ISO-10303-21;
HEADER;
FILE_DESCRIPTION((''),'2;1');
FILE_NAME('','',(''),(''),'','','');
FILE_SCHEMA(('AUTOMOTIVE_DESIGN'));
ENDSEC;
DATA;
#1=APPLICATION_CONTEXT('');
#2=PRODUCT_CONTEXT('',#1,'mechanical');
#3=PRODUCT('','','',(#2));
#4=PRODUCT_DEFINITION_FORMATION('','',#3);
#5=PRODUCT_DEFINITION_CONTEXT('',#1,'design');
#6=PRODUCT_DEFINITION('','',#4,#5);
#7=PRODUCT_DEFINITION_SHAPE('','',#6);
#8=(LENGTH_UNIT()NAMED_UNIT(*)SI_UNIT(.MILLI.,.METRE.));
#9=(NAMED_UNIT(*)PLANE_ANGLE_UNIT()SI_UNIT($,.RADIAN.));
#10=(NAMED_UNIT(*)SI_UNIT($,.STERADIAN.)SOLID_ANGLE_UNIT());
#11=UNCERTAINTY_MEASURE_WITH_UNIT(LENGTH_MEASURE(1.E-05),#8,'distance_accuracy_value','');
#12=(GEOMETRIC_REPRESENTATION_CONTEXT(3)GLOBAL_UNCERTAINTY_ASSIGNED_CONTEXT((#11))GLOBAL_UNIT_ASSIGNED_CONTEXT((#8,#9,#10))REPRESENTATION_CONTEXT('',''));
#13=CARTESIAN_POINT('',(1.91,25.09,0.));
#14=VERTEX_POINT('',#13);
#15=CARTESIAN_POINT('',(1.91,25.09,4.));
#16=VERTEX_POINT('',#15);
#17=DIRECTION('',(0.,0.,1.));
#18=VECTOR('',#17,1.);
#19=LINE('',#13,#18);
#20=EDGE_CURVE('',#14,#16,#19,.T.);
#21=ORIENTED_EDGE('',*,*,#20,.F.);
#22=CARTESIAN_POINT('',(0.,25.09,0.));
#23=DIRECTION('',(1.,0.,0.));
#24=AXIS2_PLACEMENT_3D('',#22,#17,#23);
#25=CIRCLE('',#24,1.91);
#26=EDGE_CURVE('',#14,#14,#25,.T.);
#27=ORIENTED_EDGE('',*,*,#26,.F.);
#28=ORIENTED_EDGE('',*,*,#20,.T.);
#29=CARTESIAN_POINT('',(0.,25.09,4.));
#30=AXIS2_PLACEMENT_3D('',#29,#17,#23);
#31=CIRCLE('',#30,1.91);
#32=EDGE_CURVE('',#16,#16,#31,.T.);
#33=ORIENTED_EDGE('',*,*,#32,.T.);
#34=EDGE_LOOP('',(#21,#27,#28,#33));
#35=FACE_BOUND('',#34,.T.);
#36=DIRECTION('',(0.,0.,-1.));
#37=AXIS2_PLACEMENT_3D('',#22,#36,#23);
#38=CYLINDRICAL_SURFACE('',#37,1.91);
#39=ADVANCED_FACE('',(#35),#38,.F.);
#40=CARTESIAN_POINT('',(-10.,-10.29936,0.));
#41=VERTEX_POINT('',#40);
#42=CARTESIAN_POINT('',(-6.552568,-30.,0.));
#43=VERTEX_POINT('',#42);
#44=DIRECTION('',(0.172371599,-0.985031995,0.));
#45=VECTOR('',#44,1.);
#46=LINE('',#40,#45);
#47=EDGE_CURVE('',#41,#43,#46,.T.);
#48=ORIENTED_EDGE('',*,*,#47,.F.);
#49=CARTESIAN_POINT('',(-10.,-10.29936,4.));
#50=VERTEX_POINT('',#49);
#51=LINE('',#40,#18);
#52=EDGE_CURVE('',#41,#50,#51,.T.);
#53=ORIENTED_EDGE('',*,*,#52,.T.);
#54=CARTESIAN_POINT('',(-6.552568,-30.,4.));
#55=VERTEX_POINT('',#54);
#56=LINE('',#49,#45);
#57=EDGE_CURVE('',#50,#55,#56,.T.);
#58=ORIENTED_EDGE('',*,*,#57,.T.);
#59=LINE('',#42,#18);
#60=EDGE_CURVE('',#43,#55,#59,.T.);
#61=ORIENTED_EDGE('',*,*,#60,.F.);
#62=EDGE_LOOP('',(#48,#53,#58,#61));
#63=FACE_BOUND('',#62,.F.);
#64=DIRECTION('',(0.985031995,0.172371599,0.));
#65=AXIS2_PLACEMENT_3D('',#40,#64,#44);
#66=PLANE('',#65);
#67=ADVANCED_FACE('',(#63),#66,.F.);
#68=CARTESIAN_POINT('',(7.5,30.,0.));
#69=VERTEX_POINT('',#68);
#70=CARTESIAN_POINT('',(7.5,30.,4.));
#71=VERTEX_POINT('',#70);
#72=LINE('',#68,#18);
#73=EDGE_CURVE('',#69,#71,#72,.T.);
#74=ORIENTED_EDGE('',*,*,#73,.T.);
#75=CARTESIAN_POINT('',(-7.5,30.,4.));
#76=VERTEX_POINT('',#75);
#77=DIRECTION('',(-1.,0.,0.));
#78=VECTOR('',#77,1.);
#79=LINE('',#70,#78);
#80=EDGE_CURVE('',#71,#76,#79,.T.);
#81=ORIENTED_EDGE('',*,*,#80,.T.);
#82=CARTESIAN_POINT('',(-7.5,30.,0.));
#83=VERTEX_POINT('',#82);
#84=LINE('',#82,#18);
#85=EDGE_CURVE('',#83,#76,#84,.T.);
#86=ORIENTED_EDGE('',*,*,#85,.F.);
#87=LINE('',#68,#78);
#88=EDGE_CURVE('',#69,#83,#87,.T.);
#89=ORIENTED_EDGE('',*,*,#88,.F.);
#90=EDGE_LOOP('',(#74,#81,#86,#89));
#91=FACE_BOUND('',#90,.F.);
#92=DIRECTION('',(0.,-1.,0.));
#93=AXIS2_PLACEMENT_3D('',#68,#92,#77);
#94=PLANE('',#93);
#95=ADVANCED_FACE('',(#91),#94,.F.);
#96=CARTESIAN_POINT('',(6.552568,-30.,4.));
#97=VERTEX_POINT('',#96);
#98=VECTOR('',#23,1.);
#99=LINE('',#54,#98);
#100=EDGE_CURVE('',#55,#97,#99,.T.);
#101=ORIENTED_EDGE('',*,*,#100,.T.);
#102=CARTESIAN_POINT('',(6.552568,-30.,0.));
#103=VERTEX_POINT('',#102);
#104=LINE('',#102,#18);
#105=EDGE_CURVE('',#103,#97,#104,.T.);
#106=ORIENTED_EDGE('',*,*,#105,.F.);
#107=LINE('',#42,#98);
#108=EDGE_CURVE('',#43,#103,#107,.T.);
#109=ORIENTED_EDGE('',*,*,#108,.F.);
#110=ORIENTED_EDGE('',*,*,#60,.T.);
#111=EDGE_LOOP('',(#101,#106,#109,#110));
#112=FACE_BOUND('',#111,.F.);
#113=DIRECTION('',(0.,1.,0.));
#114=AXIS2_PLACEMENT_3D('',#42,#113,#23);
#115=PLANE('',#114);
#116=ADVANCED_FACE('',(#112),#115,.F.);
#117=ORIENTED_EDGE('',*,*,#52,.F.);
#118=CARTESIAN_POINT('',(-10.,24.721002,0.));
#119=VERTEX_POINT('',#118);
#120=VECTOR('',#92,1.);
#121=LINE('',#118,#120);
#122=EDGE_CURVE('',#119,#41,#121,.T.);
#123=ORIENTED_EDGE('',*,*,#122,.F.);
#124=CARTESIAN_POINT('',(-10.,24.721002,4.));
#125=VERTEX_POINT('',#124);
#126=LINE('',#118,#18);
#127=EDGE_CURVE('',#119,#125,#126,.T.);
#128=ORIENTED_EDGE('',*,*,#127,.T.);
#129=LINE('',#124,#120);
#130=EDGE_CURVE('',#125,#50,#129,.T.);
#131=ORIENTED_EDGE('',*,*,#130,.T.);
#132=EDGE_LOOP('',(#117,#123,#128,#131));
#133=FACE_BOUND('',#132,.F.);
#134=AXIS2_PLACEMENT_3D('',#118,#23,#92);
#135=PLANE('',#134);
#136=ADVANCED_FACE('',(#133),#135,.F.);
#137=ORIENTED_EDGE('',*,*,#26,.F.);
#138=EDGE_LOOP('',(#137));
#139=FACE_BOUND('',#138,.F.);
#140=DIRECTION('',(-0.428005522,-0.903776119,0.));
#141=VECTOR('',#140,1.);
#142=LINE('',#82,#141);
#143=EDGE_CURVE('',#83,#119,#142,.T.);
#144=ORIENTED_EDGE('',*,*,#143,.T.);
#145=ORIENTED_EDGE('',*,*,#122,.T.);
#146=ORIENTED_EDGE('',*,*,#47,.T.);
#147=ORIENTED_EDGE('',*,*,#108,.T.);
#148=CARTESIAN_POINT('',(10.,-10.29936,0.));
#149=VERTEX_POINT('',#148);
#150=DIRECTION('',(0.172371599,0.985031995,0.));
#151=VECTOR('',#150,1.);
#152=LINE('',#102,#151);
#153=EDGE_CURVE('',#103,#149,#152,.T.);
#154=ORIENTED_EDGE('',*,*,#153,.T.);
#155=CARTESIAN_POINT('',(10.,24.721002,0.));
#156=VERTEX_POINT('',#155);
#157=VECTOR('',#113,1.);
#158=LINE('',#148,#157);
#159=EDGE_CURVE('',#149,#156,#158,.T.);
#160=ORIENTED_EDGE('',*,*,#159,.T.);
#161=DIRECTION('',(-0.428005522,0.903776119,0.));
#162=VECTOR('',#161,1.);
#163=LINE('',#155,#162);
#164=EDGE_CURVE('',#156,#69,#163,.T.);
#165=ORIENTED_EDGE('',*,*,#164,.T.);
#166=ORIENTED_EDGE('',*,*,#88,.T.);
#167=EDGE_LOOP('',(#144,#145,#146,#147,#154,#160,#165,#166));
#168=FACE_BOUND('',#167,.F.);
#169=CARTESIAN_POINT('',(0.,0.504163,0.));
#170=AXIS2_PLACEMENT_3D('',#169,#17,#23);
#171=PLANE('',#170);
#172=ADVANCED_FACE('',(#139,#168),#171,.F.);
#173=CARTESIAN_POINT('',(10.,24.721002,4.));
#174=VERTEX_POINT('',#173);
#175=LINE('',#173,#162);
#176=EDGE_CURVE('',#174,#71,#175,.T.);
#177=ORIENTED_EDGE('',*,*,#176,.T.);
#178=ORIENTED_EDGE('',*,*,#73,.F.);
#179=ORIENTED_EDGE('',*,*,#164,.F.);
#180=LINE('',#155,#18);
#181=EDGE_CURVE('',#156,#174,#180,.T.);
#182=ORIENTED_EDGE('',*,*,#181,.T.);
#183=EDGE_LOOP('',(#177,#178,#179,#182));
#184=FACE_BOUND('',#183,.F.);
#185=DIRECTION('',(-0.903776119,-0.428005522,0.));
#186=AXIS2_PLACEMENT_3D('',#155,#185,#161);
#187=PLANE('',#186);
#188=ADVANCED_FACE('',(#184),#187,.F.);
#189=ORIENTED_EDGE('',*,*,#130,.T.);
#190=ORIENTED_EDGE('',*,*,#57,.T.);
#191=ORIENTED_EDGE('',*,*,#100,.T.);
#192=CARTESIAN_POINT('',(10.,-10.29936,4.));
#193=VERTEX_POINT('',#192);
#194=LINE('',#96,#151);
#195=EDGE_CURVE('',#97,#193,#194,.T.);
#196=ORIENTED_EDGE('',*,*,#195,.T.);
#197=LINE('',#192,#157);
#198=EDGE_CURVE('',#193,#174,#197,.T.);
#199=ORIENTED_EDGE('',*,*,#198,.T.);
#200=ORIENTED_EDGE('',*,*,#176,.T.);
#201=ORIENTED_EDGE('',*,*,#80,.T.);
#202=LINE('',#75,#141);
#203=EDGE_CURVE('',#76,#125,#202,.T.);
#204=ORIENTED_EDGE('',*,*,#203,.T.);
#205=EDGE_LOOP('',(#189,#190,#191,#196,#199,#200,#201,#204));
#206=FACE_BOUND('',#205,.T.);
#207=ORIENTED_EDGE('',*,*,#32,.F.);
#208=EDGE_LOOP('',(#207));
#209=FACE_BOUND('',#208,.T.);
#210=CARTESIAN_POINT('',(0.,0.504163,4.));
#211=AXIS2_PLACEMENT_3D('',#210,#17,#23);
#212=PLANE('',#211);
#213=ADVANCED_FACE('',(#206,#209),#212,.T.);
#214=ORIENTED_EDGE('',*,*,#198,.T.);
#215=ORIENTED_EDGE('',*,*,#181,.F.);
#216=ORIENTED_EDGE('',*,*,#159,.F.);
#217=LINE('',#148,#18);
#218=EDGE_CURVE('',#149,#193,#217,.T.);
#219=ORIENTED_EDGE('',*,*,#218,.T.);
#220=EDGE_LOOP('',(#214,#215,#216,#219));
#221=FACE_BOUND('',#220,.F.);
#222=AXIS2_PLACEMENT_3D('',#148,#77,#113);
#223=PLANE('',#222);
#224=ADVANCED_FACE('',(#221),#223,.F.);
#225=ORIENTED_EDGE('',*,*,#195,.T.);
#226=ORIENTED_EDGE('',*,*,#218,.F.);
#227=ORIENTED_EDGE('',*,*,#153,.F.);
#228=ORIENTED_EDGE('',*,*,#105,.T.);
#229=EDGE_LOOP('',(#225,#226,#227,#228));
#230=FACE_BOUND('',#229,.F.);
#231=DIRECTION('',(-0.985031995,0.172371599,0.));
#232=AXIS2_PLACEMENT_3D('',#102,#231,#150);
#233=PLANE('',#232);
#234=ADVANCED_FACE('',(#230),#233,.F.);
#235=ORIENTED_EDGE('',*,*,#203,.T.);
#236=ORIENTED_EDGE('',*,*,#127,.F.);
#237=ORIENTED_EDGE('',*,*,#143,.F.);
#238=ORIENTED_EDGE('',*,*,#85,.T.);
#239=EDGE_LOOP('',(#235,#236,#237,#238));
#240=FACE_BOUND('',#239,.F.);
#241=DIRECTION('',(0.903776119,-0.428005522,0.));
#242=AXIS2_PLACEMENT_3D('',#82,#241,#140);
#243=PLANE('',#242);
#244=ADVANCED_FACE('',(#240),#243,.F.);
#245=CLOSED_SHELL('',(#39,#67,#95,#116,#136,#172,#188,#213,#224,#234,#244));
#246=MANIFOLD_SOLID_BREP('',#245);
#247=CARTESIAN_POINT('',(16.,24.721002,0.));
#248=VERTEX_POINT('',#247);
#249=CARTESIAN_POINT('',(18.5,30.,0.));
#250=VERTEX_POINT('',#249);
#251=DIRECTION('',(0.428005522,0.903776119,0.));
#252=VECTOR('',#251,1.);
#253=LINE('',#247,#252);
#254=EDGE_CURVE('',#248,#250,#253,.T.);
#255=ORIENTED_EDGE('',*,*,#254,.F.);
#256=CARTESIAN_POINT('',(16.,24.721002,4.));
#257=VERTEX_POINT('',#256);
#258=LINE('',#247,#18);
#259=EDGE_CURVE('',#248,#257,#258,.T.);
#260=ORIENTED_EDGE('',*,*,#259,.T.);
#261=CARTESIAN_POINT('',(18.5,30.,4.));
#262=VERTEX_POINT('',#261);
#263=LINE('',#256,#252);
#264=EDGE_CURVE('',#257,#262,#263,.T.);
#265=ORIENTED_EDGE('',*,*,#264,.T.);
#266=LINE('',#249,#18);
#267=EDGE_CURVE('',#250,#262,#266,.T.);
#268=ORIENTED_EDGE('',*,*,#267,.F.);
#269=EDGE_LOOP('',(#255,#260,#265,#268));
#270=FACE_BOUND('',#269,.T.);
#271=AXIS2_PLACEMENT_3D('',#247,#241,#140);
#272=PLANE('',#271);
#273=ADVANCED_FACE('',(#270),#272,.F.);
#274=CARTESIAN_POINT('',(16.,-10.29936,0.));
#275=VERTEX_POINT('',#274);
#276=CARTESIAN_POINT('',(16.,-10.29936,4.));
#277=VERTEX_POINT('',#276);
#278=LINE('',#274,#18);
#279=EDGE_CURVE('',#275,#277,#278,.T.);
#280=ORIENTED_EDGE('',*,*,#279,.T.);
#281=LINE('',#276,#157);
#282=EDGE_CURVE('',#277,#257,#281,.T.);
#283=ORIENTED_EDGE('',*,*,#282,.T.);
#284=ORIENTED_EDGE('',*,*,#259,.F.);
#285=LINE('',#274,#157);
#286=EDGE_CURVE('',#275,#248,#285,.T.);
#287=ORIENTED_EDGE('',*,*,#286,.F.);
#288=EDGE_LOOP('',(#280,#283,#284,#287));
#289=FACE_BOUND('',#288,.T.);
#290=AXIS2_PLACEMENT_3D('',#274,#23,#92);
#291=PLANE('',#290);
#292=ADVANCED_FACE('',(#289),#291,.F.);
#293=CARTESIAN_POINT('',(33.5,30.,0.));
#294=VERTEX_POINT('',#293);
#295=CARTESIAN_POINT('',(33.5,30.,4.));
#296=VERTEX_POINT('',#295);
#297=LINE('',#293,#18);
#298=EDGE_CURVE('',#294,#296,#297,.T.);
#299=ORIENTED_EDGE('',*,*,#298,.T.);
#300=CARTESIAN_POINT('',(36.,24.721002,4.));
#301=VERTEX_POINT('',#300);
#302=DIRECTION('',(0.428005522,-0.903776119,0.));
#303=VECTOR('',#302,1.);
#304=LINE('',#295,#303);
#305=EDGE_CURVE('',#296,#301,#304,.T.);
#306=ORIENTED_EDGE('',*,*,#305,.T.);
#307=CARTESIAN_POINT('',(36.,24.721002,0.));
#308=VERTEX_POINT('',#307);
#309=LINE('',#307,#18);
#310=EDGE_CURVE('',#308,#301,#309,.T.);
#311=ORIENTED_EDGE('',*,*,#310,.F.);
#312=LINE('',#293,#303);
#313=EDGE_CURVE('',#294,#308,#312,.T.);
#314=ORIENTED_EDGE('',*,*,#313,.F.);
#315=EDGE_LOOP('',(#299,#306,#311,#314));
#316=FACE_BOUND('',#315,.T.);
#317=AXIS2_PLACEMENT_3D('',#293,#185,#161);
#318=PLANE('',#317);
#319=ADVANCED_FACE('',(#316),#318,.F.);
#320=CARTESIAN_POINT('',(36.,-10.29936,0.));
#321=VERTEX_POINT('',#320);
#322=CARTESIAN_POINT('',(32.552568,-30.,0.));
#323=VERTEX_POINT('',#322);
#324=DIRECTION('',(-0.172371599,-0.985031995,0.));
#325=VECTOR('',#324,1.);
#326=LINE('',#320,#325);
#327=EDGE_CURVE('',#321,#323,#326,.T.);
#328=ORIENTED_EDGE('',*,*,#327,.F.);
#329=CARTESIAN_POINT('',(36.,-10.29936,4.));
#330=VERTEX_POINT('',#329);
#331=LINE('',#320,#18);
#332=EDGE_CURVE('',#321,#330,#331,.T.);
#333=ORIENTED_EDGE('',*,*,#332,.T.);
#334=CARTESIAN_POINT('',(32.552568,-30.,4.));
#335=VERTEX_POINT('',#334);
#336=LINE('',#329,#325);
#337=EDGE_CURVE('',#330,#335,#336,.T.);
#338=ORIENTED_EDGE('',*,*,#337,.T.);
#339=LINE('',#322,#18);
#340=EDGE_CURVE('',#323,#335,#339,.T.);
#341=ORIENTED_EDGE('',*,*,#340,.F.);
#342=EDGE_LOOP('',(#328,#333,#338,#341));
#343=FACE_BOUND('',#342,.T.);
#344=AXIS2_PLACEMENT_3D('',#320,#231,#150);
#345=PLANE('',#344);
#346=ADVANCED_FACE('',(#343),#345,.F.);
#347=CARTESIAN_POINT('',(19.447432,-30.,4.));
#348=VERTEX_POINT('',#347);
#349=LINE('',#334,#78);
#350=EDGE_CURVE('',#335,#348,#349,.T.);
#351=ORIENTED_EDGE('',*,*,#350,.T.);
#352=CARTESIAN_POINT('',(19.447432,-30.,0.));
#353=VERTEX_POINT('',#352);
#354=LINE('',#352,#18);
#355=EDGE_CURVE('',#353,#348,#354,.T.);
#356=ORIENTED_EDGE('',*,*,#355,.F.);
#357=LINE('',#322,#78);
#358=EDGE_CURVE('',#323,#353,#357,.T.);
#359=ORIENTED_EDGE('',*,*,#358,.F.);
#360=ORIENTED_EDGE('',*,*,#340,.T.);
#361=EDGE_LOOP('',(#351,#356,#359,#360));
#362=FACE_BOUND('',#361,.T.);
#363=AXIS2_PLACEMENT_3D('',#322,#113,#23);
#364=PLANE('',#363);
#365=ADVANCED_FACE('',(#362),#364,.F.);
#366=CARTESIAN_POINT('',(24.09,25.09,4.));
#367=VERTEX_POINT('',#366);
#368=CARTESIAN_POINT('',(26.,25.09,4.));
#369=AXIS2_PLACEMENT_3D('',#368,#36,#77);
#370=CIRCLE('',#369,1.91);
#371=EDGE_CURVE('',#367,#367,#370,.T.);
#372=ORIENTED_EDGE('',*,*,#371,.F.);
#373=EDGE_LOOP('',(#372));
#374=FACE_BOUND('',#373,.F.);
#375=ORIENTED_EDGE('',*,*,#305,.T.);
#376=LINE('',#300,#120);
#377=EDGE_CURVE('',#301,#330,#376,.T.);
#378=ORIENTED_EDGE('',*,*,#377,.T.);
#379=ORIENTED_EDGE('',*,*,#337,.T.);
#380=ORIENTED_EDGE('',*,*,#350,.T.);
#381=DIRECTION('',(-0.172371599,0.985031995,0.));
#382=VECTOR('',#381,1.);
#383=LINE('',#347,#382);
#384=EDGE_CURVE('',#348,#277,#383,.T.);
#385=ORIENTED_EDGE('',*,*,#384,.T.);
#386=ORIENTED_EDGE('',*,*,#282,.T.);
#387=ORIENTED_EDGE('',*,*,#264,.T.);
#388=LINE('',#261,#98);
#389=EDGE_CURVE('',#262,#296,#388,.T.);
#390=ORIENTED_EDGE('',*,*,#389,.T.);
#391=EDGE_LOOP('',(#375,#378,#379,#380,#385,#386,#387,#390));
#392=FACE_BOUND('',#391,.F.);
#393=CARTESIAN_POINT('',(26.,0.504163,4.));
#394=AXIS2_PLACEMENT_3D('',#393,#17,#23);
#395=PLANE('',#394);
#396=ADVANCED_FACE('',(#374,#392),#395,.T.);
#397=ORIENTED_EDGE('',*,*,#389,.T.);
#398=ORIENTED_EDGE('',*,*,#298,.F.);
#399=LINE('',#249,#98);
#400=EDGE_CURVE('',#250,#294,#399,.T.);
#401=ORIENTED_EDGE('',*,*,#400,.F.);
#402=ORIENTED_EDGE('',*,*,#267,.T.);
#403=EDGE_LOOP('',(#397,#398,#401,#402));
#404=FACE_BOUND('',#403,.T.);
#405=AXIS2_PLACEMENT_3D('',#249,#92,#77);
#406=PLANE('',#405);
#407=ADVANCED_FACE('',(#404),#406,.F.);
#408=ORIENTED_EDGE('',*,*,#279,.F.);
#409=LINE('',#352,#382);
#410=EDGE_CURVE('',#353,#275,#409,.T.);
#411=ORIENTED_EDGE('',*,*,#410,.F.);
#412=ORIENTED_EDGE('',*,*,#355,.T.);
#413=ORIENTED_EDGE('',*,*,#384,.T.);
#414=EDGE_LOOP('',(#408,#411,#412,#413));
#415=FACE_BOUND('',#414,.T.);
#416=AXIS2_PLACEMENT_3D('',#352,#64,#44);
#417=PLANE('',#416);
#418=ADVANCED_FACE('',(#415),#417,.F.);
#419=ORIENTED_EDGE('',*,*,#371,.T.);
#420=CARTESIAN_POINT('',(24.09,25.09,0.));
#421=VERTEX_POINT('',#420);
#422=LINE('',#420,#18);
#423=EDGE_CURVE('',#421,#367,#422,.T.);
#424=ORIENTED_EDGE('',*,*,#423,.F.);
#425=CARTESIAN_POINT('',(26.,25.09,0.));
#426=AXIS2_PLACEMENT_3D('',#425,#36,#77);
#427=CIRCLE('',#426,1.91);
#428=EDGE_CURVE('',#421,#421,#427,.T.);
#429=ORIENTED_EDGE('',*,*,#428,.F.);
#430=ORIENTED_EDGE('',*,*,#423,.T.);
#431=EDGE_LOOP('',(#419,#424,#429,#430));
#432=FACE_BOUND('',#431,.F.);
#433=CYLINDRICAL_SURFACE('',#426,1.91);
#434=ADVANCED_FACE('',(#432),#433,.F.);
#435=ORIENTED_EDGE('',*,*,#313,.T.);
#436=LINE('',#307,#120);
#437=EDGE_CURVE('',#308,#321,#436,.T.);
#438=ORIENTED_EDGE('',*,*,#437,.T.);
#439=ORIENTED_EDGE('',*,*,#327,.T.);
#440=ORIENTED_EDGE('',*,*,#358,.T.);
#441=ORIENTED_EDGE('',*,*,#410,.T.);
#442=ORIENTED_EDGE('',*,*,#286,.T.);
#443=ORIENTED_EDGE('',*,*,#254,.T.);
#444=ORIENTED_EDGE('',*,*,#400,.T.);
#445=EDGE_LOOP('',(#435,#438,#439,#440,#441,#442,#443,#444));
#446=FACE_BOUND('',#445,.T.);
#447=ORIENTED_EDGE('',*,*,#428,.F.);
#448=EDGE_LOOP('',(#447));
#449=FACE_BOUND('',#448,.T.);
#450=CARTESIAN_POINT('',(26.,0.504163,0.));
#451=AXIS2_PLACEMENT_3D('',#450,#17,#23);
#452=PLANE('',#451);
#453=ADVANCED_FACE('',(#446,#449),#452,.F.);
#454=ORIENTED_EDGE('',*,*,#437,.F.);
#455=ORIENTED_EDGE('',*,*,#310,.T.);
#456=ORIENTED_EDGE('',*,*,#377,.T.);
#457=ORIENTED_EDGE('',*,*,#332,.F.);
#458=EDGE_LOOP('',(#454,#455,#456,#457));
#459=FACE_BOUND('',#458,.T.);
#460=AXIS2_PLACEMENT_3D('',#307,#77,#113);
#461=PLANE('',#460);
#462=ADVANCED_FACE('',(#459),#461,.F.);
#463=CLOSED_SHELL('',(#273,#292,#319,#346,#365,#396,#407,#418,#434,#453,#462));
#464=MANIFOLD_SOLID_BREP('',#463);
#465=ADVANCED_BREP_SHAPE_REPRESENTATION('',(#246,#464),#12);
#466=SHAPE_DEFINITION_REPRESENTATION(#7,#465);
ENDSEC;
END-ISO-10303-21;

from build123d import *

# Parameters (mm, degrees)
F0_R     = 1.91
F1_DEPTH = 4


with BuildPart() as f1:
    # F0 (on Top) → F1 (new body)
    with BuildSketch(Plane.XY):
        Polygon((-6.552568, -30), (6.552568, -30), (10, -10.29936), (10, 24.721002), (7.5, 30), (-7.5, 30), (-10, 24.721002), (-10, -10.29936), align=None)
        with Locations((0, 25.09)):
            Circle(F0_R, mode=Mode.SUBTRACT)
    extrude(amount=F1_DEPTH)


with BuildPart() as f3_1:
    # F3: instance of F1
    add(f1.part.mirror(Plane.YZ.offset(13)))


solid = Compound([f1.part, f3_1.part])
